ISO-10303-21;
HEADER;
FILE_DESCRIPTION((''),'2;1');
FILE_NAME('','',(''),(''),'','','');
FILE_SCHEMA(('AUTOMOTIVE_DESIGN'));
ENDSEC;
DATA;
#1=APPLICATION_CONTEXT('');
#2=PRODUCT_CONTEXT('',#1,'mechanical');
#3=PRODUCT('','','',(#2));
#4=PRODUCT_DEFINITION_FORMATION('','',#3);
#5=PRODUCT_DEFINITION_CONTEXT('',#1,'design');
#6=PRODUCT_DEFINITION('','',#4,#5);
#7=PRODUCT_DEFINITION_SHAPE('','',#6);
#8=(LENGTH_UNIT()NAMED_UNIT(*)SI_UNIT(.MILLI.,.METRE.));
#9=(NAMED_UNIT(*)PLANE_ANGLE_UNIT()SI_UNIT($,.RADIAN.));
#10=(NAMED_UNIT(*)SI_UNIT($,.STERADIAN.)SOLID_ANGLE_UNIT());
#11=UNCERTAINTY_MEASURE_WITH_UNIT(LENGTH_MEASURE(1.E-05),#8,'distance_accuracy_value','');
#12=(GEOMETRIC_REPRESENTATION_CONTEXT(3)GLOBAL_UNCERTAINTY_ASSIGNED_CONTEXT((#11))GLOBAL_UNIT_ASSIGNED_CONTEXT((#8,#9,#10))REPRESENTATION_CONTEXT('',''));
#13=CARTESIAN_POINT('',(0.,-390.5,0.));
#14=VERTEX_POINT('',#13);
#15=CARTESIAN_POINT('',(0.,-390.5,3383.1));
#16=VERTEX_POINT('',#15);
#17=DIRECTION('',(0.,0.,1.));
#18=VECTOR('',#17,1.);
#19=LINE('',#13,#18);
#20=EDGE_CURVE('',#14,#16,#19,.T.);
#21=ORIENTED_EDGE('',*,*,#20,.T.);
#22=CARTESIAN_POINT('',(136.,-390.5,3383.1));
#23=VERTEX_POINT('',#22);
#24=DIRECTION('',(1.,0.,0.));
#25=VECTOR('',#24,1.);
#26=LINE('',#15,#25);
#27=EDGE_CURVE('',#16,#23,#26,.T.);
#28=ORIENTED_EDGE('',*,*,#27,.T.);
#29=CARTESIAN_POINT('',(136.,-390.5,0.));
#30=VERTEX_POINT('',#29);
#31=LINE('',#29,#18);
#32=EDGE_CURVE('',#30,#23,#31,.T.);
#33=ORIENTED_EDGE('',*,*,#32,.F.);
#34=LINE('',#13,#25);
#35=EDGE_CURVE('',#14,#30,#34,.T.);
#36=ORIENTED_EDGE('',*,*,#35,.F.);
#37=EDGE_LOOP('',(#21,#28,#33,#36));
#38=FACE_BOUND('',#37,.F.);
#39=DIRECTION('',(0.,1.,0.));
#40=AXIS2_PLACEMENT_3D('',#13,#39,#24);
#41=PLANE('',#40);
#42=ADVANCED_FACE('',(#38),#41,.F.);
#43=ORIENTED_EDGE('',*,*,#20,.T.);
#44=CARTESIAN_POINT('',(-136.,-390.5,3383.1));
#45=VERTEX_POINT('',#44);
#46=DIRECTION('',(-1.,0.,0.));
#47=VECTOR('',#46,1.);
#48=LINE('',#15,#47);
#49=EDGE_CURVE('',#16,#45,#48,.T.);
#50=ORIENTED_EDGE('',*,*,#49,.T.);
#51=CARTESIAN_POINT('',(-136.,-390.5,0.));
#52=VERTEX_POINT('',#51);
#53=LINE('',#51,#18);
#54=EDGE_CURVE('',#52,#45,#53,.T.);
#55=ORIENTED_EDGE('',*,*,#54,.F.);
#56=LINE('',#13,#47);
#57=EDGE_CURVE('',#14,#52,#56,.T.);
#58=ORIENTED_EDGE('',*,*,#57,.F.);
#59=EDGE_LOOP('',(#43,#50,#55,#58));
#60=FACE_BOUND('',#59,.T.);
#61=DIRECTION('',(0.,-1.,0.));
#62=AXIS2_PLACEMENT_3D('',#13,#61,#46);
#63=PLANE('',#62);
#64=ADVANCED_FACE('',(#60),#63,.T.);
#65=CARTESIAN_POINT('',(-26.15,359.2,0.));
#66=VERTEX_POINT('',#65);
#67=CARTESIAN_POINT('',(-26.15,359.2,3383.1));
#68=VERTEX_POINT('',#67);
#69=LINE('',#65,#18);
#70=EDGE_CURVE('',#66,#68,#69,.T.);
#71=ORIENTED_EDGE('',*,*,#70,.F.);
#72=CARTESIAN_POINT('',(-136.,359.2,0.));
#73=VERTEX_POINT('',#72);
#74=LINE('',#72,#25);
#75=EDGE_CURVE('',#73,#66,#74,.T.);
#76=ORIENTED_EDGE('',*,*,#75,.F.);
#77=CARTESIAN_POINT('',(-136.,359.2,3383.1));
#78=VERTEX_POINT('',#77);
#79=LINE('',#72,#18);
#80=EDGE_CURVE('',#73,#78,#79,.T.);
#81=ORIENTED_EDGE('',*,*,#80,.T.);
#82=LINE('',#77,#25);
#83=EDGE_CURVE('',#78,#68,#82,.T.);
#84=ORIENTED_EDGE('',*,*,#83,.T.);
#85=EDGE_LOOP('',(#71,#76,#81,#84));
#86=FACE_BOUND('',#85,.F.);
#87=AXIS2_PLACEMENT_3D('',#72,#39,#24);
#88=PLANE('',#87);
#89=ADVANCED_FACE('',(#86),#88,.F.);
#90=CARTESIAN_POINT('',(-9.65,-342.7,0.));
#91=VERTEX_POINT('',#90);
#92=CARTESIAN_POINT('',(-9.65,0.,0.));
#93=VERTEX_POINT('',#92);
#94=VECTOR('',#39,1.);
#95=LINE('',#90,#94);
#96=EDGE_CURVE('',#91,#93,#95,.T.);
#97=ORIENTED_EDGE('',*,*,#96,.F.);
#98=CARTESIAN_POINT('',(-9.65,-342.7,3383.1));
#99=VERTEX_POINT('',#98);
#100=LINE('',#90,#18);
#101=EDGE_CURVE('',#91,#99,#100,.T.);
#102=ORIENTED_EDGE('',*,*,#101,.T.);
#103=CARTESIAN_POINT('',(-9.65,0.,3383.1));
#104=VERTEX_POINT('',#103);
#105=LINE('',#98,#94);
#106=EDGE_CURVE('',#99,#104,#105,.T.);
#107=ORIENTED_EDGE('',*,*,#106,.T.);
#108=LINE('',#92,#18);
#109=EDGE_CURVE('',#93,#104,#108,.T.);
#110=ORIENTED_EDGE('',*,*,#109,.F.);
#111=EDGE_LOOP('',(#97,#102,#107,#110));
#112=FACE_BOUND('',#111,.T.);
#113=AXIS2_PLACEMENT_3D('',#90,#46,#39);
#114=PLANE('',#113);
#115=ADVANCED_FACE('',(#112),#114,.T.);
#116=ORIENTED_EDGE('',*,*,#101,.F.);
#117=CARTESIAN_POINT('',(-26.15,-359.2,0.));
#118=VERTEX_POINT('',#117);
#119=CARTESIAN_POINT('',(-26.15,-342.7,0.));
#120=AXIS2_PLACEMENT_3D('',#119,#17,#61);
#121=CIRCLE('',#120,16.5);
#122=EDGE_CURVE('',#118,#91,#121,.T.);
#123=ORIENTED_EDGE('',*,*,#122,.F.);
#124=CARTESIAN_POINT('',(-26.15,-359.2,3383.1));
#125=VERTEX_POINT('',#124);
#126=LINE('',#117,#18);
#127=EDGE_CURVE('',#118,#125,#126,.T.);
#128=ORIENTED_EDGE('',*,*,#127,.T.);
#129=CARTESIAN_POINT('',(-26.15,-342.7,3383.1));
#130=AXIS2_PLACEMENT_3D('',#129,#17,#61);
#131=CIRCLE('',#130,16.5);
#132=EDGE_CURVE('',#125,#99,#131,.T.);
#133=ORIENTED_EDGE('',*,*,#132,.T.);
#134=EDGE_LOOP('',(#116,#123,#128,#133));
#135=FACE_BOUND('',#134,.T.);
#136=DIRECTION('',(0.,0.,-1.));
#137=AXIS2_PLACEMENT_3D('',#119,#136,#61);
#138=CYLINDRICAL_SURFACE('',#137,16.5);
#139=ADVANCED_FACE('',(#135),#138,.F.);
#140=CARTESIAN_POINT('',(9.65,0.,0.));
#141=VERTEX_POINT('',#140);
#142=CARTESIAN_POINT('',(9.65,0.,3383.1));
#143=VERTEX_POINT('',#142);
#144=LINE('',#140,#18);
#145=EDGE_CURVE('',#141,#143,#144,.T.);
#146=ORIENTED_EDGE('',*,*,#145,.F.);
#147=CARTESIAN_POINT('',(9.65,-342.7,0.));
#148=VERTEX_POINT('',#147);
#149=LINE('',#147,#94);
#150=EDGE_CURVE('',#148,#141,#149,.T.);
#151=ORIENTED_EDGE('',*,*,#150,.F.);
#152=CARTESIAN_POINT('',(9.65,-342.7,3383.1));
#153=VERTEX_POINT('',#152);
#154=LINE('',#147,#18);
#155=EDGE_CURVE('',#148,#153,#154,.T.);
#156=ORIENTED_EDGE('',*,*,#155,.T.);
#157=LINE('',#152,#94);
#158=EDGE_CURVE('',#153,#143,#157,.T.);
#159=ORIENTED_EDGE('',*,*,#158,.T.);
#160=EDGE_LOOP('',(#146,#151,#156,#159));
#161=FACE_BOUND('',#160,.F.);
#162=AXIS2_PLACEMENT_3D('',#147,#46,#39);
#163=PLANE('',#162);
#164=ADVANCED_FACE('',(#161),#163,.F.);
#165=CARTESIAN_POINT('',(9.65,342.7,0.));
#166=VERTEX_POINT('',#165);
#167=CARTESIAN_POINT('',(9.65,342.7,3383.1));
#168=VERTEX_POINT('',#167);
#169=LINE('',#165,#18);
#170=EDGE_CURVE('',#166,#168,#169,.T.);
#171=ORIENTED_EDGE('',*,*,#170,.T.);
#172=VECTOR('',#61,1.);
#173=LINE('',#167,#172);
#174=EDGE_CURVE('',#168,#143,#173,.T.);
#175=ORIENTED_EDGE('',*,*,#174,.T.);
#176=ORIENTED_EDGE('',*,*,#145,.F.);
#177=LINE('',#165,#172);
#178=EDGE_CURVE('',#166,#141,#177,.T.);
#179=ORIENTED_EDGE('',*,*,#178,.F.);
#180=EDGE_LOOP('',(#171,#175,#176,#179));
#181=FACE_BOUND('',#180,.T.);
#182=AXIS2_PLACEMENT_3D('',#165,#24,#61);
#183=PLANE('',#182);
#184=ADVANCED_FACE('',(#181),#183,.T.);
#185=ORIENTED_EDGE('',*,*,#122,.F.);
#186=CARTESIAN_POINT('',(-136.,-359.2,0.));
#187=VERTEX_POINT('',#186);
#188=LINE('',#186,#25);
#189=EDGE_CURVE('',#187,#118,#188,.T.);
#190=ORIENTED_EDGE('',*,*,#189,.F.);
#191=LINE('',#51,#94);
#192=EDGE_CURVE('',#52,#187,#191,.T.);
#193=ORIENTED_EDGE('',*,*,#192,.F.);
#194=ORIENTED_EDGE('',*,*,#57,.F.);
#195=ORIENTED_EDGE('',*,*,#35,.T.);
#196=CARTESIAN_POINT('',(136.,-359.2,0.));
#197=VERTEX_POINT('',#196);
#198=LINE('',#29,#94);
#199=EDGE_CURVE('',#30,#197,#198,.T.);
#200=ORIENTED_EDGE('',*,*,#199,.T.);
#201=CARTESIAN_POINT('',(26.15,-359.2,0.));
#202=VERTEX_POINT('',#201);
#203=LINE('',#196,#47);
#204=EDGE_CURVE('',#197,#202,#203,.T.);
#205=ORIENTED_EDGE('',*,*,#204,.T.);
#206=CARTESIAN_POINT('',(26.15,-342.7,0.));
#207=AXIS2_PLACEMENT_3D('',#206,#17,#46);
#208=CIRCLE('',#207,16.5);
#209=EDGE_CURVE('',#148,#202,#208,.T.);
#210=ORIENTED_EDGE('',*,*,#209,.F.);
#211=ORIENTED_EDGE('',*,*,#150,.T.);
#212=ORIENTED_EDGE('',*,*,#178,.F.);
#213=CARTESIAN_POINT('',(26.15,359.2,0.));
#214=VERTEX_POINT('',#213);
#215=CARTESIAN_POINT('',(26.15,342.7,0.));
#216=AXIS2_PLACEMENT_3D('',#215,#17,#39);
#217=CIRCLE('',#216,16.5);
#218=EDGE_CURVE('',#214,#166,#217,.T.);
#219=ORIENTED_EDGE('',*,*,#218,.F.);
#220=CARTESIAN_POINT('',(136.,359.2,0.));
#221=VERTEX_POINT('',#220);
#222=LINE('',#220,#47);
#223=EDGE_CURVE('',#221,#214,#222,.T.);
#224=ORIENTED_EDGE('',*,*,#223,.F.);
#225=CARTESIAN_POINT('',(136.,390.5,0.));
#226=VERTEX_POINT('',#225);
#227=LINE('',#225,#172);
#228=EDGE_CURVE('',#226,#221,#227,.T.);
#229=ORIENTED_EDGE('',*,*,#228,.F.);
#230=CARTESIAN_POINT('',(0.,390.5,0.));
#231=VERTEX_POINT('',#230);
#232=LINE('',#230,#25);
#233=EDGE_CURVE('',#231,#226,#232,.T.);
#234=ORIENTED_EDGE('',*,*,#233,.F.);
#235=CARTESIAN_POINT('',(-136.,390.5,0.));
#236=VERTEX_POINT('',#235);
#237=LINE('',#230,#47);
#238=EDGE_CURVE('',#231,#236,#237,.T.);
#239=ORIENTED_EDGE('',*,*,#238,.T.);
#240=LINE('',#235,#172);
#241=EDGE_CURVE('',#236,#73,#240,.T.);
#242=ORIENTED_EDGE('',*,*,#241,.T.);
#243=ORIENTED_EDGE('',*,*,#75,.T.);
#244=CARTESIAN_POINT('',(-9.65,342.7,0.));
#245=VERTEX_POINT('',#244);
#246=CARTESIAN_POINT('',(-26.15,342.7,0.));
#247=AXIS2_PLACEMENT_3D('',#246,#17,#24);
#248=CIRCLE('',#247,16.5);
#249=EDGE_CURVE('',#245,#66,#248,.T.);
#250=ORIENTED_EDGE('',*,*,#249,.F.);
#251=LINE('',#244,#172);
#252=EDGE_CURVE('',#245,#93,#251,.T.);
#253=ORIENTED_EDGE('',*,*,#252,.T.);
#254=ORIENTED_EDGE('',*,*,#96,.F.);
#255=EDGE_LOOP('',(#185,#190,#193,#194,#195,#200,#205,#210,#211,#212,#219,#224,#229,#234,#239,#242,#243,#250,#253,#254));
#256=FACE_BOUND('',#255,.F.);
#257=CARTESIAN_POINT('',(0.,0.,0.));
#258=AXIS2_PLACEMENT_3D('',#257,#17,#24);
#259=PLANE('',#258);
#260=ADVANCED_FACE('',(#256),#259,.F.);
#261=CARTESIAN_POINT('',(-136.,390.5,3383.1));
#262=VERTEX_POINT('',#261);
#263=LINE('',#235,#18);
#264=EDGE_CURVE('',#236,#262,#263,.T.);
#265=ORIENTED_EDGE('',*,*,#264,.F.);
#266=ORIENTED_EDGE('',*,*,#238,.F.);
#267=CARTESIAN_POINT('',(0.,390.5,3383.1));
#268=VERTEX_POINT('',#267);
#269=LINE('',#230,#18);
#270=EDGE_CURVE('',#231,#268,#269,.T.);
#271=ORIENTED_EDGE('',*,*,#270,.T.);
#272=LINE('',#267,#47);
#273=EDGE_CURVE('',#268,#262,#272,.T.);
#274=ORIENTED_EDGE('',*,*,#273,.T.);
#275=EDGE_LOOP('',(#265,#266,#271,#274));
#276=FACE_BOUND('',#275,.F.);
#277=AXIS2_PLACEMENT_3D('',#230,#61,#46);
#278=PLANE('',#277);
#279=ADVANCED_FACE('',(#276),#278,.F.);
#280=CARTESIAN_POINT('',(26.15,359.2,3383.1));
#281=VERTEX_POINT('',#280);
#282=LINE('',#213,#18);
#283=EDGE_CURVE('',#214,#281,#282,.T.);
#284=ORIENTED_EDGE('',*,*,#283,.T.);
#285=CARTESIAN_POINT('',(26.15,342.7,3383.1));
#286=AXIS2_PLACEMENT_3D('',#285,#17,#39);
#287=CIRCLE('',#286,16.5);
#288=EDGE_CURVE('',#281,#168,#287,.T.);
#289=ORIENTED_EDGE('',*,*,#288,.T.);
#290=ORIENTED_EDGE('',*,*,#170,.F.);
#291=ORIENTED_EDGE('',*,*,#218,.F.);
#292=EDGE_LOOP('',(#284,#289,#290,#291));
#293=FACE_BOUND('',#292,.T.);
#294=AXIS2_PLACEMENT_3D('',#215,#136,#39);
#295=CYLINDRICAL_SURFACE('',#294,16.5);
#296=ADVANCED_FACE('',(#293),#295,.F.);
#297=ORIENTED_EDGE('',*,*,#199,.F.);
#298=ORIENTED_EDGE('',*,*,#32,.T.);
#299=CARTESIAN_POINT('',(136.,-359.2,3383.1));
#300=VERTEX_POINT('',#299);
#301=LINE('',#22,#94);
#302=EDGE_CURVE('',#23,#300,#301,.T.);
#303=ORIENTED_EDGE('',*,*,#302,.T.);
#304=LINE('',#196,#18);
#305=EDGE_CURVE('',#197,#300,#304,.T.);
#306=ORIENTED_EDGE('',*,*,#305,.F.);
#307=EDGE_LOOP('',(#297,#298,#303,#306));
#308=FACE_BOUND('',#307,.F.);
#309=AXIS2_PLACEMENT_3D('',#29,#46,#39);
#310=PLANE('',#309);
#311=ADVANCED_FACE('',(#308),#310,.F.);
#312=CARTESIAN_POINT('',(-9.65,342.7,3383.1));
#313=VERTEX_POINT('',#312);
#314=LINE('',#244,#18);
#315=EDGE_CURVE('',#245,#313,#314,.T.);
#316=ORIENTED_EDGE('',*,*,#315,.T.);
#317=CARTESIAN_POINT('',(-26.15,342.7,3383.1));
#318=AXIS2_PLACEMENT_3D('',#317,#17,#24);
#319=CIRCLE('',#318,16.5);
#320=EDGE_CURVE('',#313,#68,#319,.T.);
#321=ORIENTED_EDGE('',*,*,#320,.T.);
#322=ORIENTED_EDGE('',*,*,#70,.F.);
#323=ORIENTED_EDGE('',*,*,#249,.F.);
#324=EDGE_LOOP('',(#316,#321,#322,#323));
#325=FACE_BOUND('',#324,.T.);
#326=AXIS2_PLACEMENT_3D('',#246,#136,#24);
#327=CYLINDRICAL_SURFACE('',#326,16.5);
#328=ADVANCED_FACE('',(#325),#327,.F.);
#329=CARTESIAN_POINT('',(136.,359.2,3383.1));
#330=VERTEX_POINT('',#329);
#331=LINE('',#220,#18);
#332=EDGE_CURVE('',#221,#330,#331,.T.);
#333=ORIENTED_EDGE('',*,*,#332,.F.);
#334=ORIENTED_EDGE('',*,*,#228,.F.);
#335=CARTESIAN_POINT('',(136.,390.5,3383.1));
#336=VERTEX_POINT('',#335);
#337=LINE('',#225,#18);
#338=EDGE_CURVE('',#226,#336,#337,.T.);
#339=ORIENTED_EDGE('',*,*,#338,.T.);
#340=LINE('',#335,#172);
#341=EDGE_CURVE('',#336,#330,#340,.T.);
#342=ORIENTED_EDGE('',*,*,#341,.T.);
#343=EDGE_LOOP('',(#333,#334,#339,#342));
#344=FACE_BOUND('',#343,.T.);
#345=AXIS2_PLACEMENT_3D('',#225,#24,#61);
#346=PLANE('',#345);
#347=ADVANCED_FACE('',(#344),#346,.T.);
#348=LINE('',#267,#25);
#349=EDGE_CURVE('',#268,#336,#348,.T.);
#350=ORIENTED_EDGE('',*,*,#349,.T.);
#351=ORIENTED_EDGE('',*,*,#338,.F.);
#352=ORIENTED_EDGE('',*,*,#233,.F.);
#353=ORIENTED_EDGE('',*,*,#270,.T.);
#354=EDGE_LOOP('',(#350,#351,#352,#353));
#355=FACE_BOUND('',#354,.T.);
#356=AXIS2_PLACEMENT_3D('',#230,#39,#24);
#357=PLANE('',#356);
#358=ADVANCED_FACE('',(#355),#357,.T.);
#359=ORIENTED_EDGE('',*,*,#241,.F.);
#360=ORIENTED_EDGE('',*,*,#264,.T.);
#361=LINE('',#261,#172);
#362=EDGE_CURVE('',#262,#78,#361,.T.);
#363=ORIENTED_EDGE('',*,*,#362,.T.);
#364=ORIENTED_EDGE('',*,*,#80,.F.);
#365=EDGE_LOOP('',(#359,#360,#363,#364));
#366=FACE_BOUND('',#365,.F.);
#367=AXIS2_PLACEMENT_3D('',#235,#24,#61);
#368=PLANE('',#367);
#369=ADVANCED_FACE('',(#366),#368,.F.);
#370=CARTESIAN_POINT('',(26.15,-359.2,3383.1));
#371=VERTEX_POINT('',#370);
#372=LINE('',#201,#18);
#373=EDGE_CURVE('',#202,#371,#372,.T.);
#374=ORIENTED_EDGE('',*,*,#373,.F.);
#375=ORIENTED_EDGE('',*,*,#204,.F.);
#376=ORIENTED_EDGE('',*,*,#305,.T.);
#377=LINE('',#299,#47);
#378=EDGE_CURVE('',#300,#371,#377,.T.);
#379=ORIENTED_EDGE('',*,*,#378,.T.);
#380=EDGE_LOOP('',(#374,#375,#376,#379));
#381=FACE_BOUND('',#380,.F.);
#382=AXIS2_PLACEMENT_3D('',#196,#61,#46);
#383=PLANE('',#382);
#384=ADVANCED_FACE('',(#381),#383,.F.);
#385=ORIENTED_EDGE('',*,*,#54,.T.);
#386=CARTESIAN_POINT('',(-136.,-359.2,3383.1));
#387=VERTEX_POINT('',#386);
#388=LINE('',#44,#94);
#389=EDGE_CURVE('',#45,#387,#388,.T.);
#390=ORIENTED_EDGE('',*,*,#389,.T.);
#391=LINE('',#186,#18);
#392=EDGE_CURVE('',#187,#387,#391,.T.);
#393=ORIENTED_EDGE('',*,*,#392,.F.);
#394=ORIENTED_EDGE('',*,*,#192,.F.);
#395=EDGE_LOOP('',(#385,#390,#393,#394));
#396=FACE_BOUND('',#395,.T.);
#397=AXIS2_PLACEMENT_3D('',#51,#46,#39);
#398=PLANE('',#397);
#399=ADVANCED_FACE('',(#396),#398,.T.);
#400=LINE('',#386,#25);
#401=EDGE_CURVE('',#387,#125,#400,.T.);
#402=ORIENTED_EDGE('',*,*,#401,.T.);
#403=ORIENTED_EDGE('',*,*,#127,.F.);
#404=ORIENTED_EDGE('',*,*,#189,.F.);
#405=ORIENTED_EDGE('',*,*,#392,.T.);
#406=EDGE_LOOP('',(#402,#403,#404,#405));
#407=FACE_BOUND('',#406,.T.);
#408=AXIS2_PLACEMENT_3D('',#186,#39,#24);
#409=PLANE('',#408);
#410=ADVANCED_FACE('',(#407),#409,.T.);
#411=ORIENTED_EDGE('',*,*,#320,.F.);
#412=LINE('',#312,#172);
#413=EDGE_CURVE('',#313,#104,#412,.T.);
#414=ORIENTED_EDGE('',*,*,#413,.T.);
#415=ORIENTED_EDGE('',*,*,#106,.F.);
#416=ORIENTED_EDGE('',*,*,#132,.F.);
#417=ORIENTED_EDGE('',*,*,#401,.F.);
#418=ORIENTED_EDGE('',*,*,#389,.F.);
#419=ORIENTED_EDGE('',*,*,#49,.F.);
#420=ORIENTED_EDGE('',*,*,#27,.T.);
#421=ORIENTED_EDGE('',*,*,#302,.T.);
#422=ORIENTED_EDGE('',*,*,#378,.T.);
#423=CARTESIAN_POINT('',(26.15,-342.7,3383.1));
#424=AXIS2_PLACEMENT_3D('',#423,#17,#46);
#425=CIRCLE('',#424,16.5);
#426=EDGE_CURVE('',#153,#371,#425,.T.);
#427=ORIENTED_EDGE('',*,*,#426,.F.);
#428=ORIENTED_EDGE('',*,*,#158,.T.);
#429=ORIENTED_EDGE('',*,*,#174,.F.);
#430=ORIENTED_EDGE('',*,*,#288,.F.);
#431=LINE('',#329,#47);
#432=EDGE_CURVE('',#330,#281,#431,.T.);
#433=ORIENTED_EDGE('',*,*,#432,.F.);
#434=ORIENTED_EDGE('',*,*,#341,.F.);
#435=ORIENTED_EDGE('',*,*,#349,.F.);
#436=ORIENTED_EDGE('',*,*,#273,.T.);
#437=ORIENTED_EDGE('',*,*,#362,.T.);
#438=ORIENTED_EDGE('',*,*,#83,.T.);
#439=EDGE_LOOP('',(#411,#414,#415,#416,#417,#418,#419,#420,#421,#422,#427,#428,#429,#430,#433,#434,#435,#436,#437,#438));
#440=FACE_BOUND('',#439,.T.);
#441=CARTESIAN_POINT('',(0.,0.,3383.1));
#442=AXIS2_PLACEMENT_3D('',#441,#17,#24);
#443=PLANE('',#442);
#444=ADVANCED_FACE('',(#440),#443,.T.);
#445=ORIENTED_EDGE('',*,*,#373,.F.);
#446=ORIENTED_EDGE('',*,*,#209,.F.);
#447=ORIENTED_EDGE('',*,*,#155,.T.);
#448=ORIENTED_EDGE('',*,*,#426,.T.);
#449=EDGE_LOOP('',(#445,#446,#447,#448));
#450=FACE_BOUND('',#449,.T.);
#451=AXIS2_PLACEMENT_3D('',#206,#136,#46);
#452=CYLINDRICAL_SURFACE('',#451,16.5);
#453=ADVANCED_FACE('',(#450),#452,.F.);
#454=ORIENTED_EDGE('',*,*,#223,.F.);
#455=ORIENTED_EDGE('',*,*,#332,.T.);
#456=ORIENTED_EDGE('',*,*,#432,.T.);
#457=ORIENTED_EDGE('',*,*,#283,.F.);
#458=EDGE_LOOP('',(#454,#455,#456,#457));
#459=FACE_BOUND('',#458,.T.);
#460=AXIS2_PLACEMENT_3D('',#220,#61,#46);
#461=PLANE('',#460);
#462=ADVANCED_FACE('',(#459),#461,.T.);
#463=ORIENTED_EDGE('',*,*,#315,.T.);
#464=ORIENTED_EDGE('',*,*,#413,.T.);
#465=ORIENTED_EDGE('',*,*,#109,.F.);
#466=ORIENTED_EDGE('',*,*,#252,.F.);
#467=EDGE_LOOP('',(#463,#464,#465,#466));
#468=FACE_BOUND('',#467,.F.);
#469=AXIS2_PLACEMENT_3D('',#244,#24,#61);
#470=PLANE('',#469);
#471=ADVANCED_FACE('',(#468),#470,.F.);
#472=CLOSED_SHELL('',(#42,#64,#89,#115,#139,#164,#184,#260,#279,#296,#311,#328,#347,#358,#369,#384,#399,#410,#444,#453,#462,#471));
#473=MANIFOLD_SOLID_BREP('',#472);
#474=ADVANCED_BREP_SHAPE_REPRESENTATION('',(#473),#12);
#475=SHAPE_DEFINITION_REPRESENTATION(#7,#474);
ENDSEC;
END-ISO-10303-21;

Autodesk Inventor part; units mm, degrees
ref_plane "YZ Plane" through (0, 0, 0) normal (1, 0, 0) x (0, 1, 0)
ref_plane "Start plane" through (0, 0, 0) normal (0, 0, 1) x (1, 0, 0)
ref_plane "End plane" through (0, 0, 3383.1) normal (0, 0, 1) x (1, 0, 0)
sketch "Sketch" plane through (0, 0, 0) normal (0, 0, 1) x (1, 0, 0)
  line L0 (-136, -390.5) -> (-136, -359.2)
  line L1 (-136, -359.2) -> (-26.15, -359.2)
  line L2 (-9.65, -342.7) -> (-9.65, 0)
  line L3 (-9.65, 0) -> (0, 0) construction
  line L4 (0, 0) -> (0, -390.5) construction
  line L5 (0, -390.5) -> (-136, -390.5)
  line L6 (-60, 0) -> (80, 0) construction
  line L7 (0, -60) -> (0, 80) construction
  line L8 (136, -390.5) -> (136, -359.2)
  line L9 (136, -359.2) -> (26.15, -359.2)
  line L10 (9.65, -342.7) -> (9.65, 0)
  line L11 (9.65, 0) -> (0, 0) construction
  line L12 (0, -390.5) -> (136, -390.5)
  line L13 (-136, 390.5) -> (-136, 359.2)
  line L14 (-136, 359.2) -> (-26.15, 359.2)
  line L15 (-9.65, 342.7) -> (-9.65, 0)
  line L16 (0, 390.5) -> (-136, 390.5)
  line L17 (136, 390.5) -> (136, 359.2)
  line L18 (136, 359.2) -> (26.15, 359.2)
  line L19 (0, 390.5) -> (136, 390.5)
  line L20 (9.65, 342.7) -> (9.65, 0)
  arc A0 (-9.65, 342.7) -> (-26.15, 359.2) centre (-26.15, 342.7) ccw
  arc A1 (26.15, 359.2) -> (9.65, 342.7) centre (26.15, 342.7) ccw
  arc A2 (9.65, -342.7) -> (26.15, -359.2) centre (26.15, -342.7) ccw
  arc A3 (-26.15, -359.2) -> (-9.65, -342.7) centre (-26.15, -342.7) ccw
  line L21 (0, 108) -> (0, -88) construction
  line L22 (-88, 0) -> (108, 0) construction
  point P0 (-9.65, -359.2)
  point P1 (9.65, -359.2)
  point P2 (-9.65, 359.2)
  point P3 (9.65, 359.2)
  dimension "d1" = 390.5
  dimension "d2" = 31.3
  dimension "d3" = 136
  dimension "d4" = 9.65
  dimension "d10" = 16.5
extrude "Body" add sketch "Sketch" along normal up to surface (3383.1 mm away) from surface at 0
sketch "Sketch4" plane through (0, 0, 0) normal (0, 0, 1) x (1, 0, 0)
  line L0 (0, 0) -> (10, 0)
ref_plane "Work Plane3" through (0, 0, 0) normal (0, -1, 0) x (1, 0, 0)
sketch "Sketch5" plane through (0, 0, 0) normal (0, -1, 0) x (1, 0, 0)
  line L0 (-2, 0) -> (12, 0) projected
  line L1 (-2, 3383.1) -> (12, 3383.1) projected
  dimension "d14" = 3383.1
equation "\"d1\" = 0.5 * G_H"
equation "\"d2\" = G_T1"
equation "\"d3\" = 0.5 * G_W"
equation "\"d4\" = 0.5 * G_T"
equation "\"d10\" = G_IR"
equation "\"d5\" = G_L"
equation "\"G_W\" = 272"
equation "\"G_H\" = 781"
equation "\"G_T\" = 19.3"
equation "\"G_T1\" = 31.3"
equation "\"G_IR\" = 16.5"
equation "\"G_L\" = d14"
equation "\"G_OFFSET_START\" = 0"
equation "\"G_OFFSET_END\" = 0"
equation "\"d12\" = G_OFFSET_END + B_L"
equation "\"B_L\" = 3383.1"
properties part number "AS 3679-1990 - 760 UB - 244 - 3383.1" material "Steel, Mild"
